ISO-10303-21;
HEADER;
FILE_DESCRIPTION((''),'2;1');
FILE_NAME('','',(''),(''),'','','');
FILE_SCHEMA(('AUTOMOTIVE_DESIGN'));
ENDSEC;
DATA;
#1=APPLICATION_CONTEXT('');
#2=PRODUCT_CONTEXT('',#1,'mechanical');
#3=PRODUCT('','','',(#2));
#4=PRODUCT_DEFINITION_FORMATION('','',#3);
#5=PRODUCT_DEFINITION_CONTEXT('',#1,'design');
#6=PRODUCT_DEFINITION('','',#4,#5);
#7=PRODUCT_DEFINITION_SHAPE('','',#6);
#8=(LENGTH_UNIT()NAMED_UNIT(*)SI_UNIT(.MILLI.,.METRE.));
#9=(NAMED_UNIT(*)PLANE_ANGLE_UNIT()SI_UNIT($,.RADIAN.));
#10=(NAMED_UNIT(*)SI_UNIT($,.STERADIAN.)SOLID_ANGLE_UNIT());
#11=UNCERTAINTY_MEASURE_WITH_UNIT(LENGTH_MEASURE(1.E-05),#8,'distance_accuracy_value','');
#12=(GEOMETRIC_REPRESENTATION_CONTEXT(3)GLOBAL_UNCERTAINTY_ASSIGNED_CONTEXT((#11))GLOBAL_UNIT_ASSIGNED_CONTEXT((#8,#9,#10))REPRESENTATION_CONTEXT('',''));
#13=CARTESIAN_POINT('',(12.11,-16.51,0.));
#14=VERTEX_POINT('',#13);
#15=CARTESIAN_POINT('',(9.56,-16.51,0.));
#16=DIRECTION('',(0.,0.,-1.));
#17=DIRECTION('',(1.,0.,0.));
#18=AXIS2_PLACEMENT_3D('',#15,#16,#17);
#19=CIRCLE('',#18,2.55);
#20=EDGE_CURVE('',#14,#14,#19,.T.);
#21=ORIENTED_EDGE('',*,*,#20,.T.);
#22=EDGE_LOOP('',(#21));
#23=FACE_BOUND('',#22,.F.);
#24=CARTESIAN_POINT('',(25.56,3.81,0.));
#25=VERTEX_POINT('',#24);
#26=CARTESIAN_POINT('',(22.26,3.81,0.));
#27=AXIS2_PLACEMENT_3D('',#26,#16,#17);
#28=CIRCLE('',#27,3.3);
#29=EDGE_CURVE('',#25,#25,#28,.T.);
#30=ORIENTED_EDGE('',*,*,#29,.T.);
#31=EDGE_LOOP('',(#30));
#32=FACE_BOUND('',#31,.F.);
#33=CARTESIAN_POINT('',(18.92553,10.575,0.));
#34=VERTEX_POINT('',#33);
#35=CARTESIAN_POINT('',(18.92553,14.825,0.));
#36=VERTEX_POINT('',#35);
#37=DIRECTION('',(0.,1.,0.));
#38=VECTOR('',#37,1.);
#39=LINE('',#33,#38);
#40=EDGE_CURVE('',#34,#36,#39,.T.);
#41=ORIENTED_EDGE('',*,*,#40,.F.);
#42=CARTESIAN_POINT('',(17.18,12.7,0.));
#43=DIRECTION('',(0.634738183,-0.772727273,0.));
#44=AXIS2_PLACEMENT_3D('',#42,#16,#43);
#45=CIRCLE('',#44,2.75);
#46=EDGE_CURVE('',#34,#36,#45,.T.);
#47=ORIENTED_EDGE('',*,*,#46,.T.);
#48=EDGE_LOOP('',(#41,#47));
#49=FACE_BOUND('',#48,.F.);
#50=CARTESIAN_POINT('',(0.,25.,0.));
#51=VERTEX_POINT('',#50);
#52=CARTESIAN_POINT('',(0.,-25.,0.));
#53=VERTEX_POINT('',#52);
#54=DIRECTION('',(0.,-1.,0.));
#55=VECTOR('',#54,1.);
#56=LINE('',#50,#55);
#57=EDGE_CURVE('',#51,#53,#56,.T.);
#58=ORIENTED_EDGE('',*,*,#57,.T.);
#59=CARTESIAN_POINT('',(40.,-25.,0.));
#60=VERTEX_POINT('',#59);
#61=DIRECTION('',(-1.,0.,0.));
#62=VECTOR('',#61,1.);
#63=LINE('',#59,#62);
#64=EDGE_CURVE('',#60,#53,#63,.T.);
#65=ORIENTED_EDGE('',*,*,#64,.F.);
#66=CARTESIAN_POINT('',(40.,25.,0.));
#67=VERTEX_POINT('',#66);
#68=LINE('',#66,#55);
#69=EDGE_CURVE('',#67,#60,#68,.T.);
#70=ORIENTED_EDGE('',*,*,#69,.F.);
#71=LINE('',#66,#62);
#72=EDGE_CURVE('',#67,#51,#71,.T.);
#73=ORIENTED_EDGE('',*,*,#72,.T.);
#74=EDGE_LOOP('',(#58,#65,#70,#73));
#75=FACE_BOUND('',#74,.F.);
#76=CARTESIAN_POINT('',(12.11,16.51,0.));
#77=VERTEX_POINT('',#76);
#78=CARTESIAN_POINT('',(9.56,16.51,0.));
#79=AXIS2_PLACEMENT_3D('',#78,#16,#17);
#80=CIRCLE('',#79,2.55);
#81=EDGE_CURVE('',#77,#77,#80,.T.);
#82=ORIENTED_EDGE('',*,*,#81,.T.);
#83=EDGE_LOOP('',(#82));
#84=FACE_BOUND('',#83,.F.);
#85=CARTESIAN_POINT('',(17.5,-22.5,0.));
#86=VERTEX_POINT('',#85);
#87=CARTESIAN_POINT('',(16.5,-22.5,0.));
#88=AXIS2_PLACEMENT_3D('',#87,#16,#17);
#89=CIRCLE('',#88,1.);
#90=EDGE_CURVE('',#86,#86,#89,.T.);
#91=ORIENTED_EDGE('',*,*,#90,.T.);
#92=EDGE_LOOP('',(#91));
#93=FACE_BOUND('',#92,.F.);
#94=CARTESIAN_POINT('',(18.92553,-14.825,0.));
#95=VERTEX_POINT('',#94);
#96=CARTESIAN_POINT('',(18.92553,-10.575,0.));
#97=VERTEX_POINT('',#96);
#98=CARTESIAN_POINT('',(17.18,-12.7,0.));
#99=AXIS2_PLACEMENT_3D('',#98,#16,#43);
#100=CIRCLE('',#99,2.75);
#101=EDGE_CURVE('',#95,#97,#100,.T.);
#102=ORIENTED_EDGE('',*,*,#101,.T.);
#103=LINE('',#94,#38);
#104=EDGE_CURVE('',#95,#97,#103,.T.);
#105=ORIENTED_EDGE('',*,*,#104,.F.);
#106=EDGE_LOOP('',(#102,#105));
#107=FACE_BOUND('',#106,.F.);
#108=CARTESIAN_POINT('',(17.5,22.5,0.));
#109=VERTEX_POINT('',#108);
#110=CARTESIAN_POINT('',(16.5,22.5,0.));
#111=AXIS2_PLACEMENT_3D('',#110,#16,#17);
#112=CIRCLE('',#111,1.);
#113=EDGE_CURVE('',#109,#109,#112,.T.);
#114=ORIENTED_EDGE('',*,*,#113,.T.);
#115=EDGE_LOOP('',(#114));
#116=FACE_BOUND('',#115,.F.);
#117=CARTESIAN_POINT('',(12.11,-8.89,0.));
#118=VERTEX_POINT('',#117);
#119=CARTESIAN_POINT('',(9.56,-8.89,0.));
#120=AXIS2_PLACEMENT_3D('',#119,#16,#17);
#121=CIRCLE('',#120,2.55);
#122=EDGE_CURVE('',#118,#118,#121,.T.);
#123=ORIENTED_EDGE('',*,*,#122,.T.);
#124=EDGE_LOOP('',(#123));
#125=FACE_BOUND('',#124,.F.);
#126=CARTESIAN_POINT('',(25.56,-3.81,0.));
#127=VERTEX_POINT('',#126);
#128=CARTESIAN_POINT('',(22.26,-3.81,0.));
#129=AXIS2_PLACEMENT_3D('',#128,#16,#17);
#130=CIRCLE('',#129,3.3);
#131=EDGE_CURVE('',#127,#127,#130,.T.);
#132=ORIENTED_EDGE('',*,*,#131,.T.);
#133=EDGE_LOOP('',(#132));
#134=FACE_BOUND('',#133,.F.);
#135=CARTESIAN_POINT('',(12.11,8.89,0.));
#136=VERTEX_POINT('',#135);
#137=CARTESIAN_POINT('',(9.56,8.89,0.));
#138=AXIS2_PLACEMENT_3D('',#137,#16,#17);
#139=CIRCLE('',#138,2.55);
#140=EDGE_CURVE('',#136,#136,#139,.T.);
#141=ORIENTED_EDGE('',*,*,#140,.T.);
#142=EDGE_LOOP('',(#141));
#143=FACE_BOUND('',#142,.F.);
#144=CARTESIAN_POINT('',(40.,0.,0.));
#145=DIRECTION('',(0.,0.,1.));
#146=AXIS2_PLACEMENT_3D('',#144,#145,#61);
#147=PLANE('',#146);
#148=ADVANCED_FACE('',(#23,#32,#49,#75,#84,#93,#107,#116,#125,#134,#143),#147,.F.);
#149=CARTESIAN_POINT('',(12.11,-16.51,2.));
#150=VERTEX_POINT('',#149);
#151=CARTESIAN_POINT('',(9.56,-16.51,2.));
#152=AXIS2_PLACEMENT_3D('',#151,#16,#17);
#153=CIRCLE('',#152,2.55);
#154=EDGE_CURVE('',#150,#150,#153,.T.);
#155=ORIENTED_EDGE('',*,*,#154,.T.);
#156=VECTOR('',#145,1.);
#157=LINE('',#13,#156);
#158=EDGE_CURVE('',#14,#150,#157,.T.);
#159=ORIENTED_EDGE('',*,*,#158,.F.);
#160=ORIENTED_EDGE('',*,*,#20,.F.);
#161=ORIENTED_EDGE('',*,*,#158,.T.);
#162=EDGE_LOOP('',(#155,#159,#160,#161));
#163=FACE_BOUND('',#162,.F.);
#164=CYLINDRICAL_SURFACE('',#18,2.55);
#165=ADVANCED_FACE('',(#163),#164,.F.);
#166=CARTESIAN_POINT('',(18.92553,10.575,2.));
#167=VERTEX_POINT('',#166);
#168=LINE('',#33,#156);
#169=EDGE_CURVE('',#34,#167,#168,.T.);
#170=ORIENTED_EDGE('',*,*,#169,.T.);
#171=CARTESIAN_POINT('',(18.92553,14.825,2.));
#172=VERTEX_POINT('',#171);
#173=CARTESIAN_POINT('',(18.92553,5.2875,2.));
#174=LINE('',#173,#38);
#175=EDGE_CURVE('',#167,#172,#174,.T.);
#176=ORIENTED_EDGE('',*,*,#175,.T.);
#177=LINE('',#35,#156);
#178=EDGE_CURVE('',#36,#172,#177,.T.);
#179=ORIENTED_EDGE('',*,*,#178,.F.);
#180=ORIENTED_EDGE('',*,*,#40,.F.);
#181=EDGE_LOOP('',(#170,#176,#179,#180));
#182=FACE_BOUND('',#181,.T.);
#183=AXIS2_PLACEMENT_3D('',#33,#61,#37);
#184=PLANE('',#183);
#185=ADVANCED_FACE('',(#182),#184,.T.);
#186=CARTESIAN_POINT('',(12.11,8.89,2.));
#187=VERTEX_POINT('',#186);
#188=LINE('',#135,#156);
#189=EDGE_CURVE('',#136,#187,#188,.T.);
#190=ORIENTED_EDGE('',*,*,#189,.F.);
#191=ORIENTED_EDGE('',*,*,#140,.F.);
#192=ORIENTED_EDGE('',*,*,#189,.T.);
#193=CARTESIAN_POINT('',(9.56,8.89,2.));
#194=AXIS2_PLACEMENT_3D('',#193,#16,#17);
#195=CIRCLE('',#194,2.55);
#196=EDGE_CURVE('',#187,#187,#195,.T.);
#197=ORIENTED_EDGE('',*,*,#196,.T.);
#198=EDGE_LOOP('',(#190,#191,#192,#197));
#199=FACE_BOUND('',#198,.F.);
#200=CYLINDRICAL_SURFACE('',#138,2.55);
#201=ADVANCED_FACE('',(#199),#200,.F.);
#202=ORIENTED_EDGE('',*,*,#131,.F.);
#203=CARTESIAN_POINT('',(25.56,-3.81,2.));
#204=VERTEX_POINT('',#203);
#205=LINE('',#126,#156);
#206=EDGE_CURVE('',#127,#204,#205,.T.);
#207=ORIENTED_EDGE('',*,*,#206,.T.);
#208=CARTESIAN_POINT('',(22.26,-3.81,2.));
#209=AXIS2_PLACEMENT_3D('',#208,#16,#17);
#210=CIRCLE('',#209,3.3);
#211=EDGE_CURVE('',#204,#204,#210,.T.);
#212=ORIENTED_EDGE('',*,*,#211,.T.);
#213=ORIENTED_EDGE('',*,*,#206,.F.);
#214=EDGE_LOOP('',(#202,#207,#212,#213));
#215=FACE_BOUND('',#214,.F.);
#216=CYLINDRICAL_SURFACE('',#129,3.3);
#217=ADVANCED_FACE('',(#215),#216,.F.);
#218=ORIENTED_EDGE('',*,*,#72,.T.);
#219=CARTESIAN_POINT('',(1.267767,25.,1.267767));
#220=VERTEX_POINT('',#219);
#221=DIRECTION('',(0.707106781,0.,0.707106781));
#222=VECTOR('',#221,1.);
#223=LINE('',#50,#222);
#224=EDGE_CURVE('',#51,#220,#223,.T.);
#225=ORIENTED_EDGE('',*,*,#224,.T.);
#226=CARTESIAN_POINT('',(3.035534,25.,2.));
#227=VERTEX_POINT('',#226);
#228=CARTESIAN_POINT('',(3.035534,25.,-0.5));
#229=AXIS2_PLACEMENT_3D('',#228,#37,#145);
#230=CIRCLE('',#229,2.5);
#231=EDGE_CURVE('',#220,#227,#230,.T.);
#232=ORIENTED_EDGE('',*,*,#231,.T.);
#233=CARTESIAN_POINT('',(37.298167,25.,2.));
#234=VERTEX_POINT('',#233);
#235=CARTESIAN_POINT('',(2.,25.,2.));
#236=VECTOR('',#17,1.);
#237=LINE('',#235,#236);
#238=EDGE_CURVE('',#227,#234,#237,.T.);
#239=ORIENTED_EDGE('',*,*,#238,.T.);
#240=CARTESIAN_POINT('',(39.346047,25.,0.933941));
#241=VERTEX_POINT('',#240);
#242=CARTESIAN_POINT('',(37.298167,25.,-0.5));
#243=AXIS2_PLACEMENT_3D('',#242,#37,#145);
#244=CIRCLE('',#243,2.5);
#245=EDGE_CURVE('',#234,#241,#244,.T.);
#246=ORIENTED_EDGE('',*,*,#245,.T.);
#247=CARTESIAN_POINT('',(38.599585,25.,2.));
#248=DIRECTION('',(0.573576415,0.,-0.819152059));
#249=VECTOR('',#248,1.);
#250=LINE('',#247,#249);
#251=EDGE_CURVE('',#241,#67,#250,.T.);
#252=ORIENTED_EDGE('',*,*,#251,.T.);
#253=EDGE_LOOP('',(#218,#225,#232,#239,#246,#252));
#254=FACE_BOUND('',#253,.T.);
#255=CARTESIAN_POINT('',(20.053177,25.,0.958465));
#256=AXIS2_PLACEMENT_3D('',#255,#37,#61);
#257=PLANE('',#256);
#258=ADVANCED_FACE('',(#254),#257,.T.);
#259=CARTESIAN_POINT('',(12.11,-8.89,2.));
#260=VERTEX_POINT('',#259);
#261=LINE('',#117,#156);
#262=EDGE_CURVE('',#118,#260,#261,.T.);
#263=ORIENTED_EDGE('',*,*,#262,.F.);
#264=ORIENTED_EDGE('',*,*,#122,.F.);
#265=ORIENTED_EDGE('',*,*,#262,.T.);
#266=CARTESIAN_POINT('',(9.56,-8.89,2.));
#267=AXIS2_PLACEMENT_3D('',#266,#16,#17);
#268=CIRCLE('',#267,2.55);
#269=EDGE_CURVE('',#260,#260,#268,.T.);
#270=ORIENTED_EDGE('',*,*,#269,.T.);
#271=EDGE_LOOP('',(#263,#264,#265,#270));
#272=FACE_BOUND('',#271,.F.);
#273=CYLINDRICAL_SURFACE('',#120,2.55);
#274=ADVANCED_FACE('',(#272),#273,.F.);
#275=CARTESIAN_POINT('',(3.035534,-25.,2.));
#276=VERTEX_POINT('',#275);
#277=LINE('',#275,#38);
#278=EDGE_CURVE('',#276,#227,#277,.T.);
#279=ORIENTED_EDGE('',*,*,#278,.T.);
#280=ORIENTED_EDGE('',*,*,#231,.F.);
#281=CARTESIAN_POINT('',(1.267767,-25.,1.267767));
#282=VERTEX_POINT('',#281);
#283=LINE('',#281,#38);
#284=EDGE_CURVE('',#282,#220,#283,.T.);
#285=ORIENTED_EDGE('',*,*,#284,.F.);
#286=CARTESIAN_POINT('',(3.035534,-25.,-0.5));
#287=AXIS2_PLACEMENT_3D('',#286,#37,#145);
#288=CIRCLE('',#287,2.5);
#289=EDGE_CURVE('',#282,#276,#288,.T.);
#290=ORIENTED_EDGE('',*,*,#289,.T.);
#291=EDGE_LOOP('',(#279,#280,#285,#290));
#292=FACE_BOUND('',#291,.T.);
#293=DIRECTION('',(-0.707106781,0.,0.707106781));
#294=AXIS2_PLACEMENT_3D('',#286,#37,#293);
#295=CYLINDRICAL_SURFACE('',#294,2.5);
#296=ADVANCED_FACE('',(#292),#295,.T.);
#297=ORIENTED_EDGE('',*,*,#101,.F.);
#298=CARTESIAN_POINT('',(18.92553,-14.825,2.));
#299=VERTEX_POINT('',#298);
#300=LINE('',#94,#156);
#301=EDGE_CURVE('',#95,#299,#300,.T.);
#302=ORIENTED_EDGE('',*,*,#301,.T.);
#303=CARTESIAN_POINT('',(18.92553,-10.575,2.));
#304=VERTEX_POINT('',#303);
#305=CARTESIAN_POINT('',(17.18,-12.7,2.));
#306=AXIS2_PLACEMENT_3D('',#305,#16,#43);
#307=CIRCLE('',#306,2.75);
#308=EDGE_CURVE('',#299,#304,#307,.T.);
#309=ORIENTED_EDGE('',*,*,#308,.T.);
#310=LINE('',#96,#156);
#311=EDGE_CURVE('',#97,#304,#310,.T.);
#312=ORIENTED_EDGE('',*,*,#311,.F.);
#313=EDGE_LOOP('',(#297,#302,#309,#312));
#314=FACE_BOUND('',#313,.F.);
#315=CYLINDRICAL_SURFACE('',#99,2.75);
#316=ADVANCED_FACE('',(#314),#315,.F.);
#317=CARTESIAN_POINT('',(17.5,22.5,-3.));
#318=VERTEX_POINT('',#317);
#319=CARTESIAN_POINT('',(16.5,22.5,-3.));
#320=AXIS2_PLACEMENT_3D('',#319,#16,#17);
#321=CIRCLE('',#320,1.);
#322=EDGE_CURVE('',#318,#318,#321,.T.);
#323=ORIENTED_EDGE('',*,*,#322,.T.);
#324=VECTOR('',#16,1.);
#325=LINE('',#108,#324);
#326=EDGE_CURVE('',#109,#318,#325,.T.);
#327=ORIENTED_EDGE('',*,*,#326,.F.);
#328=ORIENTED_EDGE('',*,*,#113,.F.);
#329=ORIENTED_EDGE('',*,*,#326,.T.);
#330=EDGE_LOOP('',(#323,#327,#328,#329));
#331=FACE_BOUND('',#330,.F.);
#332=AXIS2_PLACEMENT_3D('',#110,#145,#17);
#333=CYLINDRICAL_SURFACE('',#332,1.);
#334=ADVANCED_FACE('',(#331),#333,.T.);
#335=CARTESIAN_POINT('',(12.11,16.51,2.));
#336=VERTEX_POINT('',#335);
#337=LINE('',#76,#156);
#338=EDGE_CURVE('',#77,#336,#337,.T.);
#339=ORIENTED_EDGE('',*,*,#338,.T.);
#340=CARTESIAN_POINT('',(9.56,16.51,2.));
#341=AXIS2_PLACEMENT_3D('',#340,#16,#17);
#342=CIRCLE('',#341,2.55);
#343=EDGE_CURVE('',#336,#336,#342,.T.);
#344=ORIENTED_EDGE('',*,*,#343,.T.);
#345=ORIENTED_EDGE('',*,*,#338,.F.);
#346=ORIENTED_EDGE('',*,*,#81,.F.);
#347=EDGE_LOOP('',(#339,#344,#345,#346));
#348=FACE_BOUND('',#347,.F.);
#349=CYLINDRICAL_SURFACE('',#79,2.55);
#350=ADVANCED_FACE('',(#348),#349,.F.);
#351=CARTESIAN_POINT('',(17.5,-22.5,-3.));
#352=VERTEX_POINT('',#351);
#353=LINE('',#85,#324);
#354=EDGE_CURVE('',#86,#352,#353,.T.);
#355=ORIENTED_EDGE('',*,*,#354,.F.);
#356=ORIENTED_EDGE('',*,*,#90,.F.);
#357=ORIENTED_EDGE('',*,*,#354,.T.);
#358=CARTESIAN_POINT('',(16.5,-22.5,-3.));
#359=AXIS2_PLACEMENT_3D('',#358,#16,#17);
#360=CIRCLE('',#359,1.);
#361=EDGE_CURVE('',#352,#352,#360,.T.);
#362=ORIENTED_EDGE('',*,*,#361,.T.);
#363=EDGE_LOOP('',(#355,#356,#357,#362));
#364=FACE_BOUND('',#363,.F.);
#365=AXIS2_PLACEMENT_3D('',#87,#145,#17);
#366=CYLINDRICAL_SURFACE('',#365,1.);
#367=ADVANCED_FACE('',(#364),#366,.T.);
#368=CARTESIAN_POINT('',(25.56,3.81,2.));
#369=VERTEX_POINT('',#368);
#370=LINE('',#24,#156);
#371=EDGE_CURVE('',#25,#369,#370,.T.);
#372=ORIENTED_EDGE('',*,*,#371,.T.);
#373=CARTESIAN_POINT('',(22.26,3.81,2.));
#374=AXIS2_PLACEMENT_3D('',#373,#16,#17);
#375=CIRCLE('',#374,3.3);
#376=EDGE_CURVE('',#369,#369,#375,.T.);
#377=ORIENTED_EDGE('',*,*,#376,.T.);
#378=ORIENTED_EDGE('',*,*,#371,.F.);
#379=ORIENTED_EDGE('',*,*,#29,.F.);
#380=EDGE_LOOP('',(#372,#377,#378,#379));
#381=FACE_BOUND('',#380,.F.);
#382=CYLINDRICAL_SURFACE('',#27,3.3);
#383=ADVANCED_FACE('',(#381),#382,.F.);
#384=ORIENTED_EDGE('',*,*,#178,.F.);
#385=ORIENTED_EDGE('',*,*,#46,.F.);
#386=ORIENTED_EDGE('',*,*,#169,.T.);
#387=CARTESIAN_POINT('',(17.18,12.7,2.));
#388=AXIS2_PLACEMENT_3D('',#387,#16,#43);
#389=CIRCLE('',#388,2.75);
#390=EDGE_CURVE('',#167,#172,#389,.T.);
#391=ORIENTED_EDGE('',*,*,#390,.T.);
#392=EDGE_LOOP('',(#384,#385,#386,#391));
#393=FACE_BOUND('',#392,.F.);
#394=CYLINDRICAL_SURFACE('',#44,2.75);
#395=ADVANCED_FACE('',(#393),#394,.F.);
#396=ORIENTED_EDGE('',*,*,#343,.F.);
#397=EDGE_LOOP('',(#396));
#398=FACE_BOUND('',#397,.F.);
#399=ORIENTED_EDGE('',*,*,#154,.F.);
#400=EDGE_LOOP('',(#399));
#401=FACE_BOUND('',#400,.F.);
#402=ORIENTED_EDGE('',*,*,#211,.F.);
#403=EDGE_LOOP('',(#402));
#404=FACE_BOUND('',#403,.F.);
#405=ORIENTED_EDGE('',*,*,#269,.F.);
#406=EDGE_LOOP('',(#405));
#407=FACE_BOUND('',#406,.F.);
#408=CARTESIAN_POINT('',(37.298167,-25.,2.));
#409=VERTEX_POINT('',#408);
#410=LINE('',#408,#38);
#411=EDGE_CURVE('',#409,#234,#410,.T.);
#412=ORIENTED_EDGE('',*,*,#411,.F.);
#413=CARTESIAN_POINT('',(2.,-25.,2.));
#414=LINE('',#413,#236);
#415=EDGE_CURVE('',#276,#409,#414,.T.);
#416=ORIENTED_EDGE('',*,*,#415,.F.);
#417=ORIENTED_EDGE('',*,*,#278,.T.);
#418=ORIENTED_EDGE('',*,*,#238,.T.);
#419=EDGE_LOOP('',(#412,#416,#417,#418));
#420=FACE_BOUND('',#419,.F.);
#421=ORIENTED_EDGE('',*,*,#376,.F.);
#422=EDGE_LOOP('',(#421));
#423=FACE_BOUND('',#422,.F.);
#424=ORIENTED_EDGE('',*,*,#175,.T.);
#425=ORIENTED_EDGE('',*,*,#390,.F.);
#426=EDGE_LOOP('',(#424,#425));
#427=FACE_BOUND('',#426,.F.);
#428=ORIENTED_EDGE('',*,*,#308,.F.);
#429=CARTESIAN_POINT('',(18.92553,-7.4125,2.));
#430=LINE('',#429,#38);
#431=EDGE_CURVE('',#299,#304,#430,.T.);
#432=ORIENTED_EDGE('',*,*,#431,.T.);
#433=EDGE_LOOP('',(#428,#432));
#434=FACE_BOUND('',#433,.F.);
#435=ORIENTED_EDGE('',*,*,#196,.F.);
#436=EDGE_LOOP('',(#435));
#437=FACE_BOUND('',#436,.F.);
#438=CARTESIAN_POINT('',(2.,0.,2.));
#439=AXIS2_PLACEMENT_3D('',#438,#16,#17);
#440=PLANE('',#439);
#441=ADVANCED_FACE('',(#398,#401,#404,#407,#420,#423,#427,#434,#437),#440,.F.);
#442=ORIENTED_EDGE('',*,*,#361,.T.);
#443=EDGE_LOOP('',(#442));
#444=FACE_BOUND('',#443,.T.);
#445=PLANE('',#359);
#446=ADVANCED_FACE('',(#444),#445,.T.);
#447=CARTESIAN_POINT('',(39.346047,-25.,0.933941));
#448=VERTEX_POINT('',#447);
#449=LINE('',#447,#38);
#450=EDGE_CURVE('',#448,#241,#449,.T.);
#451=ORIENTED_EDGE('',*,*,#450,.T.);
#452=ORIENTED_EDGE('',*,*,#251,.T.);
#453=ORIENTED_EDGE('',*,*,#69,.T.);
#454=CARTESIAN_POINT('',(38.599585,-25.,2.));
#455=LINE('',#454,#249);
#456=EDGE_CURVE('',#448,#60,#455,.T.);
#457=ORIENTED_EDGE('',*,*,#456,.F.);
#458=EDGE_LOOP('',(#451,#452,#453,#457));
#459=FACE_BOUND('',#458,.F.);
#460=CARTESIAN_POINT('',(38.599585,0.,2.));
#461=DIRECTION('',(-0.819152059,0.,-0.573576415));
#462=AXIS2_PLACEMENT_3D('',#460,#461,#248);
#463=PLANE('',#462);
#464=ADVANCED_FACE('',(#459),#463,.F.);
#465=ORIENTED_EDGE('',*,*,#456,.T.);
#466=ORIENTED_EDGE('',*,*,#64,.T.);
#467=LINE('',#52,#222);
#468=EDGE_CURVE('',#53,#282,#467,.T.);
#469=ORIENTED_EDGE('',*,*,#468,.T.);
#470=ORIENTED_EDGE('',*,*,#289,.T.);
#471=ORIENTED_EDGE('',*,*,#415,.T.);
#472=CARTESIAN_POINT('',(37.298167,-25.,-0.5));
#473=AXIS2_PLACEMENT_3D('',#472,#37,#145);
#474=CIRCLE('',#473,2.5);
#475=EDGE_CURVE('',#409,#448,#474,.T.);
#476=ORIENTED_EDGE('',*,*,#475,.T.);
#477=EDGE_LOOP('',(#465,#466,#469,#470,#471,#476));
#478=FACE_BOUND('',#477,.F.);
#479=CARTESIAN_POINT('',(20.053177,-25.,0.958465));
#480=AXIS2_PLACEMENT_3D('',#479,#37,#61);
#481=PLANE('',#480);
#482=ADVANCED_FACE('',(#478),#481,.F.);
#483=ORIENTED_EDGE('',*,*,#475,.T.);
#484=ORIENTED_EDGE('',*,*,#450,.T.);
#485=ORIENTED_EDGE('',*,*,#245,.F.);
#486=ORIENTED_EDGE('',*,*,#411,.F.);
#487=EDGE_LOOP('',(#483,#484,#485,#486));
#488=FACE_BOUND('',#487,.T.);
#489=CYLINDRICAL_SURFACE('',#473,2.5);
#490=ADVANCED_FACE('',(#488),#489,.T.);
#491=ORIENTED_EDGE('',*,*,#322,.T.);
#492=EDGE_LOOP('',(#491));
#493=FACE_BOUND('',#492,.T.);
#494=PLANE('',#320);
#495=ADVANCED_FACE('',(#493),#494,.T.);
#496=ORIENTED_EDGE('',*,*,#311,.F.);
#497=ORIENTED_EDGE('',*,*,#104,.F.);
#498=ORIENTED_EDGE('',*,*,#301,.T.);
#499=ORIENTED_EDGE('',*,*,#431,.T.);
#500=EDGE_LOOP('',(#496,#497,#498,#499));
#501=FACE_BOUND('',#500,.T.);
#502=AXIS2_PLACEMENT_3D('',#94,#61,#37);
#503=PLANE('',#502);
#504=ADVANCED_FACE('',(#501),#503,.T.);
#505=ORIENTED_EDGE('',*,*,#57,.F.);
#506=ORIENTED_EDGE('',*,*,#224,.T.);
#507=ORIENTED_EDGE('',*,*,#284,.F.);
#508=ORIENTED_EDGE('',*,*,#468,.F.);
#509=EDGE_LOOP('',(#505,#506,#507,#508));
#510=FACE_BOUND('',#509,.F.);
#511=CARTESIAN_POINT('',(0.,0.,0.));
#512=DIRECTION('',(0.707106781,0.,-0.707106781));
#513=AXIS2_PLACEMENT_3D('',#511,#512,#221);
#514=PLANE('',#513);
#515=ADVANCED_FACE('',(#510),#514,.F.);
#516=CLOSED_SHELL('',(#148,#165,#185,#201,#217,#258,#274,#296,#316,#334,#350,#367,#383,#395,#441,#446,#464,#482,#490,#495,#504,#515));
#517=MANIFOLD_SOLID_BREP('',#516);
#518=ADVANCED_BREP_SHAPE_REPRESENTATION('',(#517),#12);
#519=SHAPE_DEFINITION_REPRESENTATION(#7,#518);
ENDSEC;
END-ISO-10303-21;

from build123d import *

# Parameters (mm, degrees)
PAD_DEPTH     = 25
SKETCH001_R   = 1
PAD001_DEPTH  = 3
SKETCH002_R   = 2.55
SKETCH002_R_2 = 3.3
POCKET_DEPTH  = 2.001
FILLET_R      = 2.5


with BuildPart() as part:
    # Sketch → Pad (new body, symmetric)
    with BuildSketch(Plane.XZ):
        Polygon((0, 0), (2, 2), (38.599585, 2), (40, 0), align=None)
    extrude(amount=PAD_DEPTH, both=True)

    # Sketch001 (on Face4 of Pad) → Pad001 (join)
    with BuildSketch(Plane(origin=(0, 0, 0), x_dir=(1, 0, 0), z_dir=(0, 0, -1))):
        with Locations((16.5, 22.5)):
            Circle(SKETCH001_R)
        with Locations((16.5, -22.5)):
            Circle(SKETCH001_R)
    extrude(amount=PAD001_DEPTH)

    # Sketch002 (on Face2 of Pad001) → Pocket (cut, through all)
    with BuildSketch(Plane(origin=(0, 0, 0), x_dir=(1, 0, 0), z_dir=(0, 0, -1))):
        with Locations((9.56, 16.51)):
            Circle(SKETCH002_R)
        with Locations((9.56, 8.89)):
            Circle(SKETCH002_R)
        with Locations((9.56, -8.89)):
            Circle(SKETCH002_R)
        with Locations((9.56, -16.51)):
            Circle(SKETCH002_R)
        with Locations((22.26, 3.81)):
            Circle(SKETCH002_R_2)
        with Locations((22.26, -3.81)):
            Circle(SKETCH002_R_2)
        with BuildLine():
            Line((18.92553, 14.825), (18.92553, 10.575))
            ThreePointArc((18.92553, 14.825), (14.43, 12.7), (18.92553, 10.575))
        make_face()
        with BuildLine():
            Line((18.92553, -10.575), (18.92553, -14.825))
            ThreePointArc((18.92553, -10.575), (14.43, -12.7), (18.92553, -14.825))
        make_face()
    extrude(amount=-POCKET_DEPTH, mode=Mode.SUBTRACT)

    # Fillet
    fillet_edges = [part.edges().sort_by_distance(p)[0] for p in [
        (38.599585, 0, 2),
        (2, 0, 2),
    ]]
    fillet(fillet_edges, radius=FILLET_R)


solid = part.part
